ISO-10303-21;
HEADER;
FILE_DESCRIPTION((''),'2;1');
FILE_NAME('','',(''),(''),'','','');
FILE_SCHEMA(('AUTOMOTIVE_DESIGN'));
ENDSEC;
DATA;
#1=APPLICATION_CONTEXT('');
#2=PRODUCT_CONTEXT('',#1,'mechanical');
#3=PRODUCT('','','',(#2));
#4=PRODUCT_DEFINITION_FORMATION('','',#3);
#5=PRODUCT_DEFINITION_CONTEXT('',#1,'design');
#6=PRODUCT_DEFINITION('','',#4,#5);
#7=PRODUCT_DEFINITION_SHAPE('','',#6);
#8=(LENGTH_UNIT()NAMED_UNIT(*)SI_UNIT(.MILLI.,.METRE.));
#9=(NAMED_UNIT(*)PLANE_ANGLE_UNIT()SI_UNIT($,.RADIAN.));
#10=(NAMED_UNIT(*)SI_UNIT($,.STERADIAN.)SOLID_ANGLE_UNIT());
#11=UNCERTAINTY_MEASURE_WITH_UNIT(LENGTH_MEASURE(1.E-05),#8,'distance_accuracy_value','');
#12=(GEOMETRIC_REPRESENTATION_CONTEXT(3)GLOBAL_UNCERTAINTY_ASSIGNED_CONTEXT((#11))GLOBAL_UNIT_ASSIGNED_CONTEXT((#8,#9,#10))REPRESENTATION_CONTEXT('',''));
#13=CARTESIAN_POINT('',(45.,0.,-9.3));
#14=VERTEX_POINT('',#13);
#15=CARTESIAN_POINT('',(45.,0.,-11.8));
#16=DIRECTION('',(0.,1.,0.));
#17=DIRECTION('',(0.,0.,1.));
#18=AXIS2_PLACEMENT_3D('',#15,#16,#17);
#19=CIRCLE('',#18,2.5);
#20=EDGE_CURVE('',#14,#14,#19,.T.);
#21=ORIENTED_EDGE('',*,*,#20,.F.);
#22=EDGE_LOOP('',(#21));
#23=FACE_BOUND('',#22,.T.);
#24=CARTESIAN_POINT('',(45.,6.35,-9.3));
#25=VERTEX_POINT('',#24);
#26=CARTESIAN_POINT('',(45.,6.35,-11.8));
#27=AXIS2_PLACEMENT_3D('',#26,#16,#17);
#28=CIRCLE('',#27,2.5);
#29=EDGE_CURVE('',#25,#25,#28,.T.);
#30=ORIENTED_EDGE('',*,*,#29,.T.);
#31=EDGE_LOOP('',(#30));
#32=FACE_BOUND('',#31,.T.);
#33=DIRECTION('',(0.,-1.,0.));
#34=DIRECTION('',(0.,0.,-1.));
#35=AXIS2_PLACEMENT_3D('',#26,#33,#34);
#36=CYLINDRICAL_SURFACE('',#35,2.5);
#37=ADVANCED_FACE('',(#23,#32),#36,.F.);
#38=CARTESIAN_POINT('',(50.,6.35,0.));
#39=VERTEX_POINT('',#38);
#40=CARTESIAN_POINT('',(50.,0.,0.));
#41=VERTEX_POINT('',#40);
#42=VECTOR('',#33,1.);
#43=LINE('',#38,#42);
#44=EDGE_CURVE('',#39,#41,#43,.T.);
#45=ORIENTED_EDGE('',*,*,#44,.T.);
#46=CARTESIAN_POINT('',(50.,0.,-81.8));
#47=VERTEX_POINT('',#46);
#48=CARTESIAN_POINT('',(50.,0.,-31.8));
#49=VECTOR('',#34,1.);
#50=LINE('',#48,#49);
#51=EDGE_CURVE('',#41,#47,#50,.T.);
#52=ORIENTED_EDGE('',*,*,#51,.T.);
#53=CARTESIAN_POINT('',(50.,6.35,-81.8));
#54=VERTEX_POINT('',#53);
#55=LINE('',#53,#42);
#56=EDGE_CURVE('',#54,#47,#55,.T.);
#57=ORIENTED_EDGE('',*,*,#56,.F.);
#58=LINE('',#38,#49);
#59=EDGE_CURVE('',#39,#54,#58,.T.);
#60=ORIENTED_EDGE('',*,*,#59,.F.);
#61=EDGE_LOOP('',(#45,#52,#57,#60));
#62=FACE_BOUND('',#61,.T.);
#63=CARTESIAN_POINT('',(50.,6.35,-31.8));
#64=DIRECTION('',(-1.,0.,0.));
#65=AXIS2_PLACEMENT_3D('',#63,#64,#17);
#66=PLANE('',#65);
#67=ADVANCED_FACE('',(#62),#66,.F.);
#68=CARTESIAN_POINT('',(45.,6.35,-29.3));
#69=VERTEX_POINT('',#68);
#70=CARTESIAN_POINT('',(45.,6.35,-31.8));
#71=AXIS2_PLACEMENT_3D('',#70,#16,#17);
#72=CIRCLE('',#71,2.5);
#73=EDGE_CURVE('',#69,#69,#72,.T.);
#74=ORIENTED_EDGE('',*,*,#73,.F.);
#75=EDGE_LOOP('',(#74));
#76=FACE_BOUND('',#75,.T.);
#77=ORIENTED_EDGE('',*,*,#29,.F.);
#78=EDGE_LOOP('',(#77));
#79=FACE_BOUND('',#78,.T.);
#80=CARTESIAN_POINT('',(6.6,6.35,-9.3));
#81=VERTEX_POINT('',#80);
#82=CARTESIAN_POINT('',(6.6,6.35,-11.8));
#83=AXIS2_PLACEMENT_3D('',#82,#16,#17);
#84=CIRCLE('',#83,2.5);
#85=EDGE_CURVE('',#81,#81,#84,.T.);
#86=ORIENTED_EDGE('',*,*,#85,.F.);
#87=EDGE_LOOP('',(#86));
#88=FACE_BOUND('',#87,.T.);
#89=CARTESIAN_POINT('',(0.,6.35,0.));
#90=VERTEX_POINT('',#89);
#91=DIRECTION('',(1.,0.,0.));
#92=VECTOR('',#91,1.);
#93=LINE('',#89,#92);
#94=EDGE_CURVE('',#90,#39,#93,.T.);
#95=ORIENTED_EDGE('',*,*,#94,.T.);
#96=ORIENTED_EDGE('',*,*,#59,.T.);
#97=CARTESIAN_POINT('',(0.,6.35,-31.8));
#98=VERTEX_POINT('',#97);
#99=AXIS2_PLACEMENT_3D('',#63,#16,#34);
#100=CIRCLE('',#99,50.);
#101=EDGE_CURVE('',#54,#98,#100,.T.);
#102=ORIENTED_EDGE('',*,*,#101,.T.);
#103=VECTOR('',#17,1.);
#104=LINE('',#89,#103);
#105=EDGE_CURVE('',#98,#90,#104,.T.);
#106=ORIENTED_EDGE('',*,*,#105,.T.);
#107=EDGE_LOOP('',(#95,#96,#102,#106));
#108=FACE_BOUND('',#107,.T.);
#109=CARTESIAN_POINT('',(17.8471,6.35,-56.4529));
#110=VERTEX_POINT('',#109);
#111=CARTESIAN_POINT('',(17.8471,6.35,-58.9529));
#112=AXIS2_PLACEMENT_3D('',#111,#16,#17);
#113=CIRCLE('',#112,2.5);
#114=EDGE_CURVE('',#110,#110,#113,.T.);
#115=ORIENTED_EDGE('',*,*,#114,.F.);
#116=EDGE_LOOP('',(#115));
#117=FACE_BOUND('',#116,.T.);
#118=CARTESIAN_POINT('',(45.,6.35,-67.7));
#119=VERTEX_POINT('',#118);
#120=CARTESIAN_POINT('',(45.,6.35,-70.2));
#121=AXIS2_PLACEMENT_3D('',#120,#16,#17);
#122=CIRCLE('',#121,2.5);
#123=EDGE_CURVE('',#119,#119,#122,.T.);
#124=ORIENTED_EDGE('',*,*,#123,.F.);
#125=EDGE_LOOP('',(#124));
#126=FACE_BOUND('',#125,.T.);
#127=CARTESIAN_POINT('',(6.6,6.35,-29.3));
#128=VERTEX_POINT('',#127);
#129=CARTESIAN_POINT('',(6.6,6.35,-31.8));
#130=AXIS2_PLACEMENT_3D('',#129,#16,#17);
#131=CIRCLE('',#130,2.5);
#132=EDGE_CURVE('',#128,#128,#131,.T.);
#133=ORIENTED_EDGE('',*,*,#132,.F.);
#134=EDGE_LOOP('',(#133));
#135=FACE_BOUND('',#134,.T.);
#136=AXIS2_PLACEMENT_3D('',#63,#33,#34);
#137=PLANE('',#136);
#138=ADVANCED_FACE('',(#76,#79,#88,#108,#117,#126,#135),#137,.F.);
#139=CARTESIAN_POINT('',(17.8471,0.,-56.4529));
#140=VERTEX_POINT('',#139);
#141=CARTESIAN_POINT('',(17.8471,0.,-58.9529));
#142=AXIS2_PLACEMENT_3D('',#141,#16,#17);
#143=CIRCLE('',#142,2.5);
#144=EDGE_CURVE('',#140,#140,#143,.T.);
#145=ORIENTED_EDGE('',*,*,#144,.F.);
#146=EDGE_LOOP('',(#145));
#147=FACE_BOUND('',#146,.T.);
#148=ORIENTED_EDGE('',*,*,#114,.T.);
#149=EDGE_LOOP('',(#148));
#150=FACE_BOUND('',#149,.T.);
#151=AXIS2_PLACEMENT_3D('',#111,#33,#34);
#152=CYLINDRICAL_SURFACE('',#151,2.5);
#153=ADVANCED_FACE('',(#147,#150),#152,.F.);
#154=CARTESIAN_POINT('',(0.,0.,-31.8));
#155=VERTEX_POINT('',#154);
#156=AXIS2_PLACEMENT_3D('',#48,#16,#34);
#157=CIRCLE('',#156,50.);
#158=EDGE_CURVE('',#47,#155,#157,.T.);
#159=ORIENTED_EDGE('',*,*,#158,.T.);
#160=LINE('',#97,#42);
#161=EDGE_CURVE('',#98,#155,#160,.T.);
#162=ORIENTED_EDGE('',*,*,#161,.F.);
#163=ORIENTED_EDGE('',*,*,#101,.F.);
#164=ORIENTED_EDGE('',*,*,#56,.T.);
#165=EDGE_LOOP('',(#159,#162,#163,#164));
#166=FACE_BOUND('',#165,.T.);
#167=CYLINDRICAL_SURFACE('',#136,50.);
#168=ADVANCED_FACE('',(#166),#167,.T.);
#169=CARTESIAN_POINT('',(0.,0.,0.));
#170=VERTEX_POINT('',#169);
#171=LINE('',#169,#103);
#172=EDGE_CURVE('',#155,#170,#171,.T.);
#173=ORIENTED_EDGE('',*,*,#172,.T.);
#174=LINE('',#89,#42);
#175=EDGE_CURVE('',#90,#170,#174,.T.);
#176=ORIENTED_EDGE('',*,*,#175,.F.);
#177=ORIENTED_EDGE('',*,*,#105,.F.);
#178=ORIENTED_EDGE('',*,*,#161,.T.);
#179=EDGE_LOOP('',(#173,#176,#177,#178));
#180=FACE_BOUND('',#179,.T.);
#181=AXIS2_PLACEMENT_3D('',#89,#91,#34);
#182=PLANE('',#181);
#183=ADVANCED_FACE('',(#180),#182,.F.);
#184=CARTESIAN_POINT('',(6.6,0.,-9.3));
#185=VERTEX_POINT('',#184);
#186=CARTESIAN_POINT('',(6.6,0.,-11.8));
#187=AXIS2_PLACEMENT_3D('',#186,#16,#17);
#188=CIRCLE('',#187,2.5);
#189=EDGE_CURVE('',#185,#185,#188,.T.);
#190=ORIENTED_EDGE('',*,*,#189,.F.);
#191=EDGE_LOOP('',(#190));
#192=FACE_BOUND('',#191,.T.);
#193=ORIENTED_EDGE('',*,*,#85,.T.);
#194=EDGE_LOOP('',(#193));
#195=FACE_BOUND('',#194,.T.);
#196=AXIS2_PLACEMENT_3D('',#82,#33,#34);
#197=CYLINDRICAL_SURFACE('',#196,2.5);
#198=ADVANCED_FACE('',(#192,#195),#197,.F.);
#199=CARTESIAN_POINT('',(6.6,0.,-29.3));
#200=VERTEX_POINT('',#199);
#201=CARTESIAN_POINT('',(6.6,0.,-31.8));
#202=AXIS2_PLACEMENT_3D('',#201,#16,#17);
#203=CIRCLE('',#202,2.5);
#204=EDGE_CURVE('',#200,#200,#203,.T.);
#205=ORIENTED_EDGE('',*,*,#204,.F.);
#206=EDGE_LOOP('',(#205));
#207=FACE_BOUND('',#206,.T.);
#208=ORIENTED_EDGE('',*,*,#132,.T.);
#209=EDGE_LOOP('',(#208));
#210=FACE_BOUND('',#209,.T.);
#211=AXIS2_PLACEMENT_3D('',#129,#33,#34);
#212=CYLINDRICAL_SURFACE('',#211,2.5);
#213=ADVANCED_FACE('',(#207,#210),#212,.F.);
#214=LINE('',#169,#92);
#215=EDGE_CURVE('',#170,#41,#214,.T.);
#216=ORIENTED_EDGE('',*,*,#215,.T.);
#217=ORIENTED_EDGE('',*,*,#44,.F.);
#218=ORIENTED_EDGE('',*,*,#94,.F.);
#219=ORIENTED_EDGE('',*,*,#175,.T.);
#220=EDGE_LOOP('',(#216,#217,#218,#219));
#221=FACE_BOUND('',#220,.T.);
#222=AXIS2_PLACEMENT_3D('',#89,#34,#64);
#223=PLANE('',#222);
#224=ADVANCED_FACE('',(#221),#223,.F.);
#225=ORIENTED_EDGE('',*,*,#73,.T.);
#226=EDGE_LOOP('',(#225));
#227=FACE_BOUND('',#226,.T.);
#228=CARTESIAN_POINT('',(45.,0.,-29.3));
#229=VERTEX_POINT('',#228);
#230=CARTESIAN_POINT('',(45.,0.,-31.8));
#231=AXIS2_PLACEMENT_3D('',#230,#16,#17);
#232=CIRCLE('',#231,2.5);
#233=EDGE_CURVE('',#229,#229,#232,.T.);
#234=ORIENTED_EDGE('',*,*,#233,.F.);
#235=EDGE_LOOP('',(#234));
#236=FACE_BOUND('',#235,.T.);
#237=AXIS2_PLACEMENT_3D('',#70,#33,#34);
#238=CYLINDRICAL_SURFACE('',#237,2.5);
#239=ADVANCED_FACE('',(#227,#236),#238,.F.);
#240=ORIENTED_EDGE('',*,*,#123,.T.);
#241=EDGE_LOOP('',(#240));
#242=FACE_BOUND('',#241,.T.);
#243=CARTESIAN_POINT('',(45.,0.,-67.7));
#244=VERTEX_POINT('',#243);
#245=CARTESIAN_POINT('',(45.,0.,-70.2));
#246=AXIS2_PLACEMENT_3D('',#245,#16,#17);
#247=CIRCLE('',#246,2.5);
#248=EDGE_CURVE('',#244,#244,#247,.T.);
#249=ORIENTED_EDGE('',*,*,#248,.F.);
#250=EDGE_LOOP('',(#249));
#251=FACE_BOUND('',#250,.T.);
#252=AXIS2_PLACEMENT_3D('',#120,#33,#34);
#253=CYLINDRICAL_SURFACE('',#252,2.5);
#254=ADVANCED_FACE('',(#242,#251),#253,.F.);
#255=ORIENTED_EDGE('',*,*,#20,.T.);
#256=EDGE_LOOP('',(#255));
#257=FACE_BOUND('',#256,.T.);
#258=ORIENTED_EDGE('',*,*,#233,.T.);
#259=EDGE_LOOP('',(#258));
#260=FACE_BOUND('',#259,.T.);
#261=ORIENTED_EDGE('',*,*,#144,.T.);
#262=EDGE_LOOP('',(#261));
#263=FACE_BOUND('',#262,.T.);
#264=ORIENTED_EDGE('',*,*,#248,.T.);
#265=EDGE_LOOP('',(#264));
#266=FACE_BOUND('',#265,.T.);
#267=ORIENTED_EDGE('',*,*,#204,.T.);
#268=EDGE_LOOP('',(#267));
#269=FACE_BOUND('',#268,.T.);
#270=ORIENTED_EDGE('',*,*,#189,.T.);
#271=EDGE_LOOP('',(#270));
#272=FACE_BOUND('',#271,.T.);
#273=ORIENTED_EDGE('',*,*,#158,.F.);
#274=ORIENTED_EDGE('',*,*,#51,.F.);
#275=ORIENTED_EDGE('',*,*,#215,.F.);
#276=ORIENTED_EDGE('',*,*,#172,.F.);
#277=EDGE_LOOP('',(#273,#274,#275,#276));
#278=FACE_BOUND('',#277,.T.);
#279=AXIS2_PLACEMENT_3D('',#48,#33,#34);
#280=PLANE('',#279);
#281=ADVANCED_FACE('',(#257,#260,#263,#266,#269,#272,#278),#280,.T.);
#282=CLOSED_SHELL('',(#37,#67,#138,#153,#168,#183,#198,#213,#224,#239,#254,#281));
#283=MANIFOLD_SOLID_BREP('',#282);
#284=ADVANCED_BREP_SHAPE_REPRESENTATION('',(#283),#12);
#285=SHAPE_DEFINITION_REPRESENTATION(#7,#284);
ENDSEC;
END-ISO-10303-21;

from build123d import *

# Parameters (mm, degrees)
SKETCH2_R           = 2.5
BOSS_EXTRUDE1_DEPTH = 6.35


with BuildPart() as part:
    # Sketch2 → Boss-Extrude1 (new body)
    with BuildSketch(Plane(origin=(0, 0, 0), x_dir=(1, 0, 0), z_dir=(0, 1, 0))):
        with BuildLine():
            Line((50, 31.8), (50, 81.8))
            ThreePointArc((50, 81.8), (14.644660941, 67.155339059), (0, 31.8))
            Line((0, 31.8), (0, 0))
            Line((0, 0), (50, 0))
            Line((50, 0), (50, 31.8))
        make_face()
        with Locations(Location((45, 31.8, 0), (0, 0, 270))):
            Circle(SKETCH2_R, mode=Mode.SUBTRACT)
        with Locations(Location((6.6, 31.8, 0), (0, 0, 270))):
            Circle(SKETCH2_R, mode=Mode.SUBTRACT)
        with Locations(Location((17.847099602, 58.952900398, 0), (0, 0, 270))):
            Circle(SKETCH2_R, mode=Mode.SUBTRACT)
        with Locations(Location((45, 70.2, 0), (0, 0, 270))):
            Circle(SKETCH2_R, mode=Mode.SUBTRACT)
        with Locations(Location((6.6, 11.8, 0), (0, 0, 270))):
            Circle(SKETCH2_R, mode=Mode.SUBTRACT)
        with Locations(Location((45, 11.8, 0), (0, 0, 270))):
            Circle(SKETCH2_R, mode=Mode.SUBTRACT)
    extrude(amount=BOSS_EXTRUDE1_DEPTH)


solid = part.part
